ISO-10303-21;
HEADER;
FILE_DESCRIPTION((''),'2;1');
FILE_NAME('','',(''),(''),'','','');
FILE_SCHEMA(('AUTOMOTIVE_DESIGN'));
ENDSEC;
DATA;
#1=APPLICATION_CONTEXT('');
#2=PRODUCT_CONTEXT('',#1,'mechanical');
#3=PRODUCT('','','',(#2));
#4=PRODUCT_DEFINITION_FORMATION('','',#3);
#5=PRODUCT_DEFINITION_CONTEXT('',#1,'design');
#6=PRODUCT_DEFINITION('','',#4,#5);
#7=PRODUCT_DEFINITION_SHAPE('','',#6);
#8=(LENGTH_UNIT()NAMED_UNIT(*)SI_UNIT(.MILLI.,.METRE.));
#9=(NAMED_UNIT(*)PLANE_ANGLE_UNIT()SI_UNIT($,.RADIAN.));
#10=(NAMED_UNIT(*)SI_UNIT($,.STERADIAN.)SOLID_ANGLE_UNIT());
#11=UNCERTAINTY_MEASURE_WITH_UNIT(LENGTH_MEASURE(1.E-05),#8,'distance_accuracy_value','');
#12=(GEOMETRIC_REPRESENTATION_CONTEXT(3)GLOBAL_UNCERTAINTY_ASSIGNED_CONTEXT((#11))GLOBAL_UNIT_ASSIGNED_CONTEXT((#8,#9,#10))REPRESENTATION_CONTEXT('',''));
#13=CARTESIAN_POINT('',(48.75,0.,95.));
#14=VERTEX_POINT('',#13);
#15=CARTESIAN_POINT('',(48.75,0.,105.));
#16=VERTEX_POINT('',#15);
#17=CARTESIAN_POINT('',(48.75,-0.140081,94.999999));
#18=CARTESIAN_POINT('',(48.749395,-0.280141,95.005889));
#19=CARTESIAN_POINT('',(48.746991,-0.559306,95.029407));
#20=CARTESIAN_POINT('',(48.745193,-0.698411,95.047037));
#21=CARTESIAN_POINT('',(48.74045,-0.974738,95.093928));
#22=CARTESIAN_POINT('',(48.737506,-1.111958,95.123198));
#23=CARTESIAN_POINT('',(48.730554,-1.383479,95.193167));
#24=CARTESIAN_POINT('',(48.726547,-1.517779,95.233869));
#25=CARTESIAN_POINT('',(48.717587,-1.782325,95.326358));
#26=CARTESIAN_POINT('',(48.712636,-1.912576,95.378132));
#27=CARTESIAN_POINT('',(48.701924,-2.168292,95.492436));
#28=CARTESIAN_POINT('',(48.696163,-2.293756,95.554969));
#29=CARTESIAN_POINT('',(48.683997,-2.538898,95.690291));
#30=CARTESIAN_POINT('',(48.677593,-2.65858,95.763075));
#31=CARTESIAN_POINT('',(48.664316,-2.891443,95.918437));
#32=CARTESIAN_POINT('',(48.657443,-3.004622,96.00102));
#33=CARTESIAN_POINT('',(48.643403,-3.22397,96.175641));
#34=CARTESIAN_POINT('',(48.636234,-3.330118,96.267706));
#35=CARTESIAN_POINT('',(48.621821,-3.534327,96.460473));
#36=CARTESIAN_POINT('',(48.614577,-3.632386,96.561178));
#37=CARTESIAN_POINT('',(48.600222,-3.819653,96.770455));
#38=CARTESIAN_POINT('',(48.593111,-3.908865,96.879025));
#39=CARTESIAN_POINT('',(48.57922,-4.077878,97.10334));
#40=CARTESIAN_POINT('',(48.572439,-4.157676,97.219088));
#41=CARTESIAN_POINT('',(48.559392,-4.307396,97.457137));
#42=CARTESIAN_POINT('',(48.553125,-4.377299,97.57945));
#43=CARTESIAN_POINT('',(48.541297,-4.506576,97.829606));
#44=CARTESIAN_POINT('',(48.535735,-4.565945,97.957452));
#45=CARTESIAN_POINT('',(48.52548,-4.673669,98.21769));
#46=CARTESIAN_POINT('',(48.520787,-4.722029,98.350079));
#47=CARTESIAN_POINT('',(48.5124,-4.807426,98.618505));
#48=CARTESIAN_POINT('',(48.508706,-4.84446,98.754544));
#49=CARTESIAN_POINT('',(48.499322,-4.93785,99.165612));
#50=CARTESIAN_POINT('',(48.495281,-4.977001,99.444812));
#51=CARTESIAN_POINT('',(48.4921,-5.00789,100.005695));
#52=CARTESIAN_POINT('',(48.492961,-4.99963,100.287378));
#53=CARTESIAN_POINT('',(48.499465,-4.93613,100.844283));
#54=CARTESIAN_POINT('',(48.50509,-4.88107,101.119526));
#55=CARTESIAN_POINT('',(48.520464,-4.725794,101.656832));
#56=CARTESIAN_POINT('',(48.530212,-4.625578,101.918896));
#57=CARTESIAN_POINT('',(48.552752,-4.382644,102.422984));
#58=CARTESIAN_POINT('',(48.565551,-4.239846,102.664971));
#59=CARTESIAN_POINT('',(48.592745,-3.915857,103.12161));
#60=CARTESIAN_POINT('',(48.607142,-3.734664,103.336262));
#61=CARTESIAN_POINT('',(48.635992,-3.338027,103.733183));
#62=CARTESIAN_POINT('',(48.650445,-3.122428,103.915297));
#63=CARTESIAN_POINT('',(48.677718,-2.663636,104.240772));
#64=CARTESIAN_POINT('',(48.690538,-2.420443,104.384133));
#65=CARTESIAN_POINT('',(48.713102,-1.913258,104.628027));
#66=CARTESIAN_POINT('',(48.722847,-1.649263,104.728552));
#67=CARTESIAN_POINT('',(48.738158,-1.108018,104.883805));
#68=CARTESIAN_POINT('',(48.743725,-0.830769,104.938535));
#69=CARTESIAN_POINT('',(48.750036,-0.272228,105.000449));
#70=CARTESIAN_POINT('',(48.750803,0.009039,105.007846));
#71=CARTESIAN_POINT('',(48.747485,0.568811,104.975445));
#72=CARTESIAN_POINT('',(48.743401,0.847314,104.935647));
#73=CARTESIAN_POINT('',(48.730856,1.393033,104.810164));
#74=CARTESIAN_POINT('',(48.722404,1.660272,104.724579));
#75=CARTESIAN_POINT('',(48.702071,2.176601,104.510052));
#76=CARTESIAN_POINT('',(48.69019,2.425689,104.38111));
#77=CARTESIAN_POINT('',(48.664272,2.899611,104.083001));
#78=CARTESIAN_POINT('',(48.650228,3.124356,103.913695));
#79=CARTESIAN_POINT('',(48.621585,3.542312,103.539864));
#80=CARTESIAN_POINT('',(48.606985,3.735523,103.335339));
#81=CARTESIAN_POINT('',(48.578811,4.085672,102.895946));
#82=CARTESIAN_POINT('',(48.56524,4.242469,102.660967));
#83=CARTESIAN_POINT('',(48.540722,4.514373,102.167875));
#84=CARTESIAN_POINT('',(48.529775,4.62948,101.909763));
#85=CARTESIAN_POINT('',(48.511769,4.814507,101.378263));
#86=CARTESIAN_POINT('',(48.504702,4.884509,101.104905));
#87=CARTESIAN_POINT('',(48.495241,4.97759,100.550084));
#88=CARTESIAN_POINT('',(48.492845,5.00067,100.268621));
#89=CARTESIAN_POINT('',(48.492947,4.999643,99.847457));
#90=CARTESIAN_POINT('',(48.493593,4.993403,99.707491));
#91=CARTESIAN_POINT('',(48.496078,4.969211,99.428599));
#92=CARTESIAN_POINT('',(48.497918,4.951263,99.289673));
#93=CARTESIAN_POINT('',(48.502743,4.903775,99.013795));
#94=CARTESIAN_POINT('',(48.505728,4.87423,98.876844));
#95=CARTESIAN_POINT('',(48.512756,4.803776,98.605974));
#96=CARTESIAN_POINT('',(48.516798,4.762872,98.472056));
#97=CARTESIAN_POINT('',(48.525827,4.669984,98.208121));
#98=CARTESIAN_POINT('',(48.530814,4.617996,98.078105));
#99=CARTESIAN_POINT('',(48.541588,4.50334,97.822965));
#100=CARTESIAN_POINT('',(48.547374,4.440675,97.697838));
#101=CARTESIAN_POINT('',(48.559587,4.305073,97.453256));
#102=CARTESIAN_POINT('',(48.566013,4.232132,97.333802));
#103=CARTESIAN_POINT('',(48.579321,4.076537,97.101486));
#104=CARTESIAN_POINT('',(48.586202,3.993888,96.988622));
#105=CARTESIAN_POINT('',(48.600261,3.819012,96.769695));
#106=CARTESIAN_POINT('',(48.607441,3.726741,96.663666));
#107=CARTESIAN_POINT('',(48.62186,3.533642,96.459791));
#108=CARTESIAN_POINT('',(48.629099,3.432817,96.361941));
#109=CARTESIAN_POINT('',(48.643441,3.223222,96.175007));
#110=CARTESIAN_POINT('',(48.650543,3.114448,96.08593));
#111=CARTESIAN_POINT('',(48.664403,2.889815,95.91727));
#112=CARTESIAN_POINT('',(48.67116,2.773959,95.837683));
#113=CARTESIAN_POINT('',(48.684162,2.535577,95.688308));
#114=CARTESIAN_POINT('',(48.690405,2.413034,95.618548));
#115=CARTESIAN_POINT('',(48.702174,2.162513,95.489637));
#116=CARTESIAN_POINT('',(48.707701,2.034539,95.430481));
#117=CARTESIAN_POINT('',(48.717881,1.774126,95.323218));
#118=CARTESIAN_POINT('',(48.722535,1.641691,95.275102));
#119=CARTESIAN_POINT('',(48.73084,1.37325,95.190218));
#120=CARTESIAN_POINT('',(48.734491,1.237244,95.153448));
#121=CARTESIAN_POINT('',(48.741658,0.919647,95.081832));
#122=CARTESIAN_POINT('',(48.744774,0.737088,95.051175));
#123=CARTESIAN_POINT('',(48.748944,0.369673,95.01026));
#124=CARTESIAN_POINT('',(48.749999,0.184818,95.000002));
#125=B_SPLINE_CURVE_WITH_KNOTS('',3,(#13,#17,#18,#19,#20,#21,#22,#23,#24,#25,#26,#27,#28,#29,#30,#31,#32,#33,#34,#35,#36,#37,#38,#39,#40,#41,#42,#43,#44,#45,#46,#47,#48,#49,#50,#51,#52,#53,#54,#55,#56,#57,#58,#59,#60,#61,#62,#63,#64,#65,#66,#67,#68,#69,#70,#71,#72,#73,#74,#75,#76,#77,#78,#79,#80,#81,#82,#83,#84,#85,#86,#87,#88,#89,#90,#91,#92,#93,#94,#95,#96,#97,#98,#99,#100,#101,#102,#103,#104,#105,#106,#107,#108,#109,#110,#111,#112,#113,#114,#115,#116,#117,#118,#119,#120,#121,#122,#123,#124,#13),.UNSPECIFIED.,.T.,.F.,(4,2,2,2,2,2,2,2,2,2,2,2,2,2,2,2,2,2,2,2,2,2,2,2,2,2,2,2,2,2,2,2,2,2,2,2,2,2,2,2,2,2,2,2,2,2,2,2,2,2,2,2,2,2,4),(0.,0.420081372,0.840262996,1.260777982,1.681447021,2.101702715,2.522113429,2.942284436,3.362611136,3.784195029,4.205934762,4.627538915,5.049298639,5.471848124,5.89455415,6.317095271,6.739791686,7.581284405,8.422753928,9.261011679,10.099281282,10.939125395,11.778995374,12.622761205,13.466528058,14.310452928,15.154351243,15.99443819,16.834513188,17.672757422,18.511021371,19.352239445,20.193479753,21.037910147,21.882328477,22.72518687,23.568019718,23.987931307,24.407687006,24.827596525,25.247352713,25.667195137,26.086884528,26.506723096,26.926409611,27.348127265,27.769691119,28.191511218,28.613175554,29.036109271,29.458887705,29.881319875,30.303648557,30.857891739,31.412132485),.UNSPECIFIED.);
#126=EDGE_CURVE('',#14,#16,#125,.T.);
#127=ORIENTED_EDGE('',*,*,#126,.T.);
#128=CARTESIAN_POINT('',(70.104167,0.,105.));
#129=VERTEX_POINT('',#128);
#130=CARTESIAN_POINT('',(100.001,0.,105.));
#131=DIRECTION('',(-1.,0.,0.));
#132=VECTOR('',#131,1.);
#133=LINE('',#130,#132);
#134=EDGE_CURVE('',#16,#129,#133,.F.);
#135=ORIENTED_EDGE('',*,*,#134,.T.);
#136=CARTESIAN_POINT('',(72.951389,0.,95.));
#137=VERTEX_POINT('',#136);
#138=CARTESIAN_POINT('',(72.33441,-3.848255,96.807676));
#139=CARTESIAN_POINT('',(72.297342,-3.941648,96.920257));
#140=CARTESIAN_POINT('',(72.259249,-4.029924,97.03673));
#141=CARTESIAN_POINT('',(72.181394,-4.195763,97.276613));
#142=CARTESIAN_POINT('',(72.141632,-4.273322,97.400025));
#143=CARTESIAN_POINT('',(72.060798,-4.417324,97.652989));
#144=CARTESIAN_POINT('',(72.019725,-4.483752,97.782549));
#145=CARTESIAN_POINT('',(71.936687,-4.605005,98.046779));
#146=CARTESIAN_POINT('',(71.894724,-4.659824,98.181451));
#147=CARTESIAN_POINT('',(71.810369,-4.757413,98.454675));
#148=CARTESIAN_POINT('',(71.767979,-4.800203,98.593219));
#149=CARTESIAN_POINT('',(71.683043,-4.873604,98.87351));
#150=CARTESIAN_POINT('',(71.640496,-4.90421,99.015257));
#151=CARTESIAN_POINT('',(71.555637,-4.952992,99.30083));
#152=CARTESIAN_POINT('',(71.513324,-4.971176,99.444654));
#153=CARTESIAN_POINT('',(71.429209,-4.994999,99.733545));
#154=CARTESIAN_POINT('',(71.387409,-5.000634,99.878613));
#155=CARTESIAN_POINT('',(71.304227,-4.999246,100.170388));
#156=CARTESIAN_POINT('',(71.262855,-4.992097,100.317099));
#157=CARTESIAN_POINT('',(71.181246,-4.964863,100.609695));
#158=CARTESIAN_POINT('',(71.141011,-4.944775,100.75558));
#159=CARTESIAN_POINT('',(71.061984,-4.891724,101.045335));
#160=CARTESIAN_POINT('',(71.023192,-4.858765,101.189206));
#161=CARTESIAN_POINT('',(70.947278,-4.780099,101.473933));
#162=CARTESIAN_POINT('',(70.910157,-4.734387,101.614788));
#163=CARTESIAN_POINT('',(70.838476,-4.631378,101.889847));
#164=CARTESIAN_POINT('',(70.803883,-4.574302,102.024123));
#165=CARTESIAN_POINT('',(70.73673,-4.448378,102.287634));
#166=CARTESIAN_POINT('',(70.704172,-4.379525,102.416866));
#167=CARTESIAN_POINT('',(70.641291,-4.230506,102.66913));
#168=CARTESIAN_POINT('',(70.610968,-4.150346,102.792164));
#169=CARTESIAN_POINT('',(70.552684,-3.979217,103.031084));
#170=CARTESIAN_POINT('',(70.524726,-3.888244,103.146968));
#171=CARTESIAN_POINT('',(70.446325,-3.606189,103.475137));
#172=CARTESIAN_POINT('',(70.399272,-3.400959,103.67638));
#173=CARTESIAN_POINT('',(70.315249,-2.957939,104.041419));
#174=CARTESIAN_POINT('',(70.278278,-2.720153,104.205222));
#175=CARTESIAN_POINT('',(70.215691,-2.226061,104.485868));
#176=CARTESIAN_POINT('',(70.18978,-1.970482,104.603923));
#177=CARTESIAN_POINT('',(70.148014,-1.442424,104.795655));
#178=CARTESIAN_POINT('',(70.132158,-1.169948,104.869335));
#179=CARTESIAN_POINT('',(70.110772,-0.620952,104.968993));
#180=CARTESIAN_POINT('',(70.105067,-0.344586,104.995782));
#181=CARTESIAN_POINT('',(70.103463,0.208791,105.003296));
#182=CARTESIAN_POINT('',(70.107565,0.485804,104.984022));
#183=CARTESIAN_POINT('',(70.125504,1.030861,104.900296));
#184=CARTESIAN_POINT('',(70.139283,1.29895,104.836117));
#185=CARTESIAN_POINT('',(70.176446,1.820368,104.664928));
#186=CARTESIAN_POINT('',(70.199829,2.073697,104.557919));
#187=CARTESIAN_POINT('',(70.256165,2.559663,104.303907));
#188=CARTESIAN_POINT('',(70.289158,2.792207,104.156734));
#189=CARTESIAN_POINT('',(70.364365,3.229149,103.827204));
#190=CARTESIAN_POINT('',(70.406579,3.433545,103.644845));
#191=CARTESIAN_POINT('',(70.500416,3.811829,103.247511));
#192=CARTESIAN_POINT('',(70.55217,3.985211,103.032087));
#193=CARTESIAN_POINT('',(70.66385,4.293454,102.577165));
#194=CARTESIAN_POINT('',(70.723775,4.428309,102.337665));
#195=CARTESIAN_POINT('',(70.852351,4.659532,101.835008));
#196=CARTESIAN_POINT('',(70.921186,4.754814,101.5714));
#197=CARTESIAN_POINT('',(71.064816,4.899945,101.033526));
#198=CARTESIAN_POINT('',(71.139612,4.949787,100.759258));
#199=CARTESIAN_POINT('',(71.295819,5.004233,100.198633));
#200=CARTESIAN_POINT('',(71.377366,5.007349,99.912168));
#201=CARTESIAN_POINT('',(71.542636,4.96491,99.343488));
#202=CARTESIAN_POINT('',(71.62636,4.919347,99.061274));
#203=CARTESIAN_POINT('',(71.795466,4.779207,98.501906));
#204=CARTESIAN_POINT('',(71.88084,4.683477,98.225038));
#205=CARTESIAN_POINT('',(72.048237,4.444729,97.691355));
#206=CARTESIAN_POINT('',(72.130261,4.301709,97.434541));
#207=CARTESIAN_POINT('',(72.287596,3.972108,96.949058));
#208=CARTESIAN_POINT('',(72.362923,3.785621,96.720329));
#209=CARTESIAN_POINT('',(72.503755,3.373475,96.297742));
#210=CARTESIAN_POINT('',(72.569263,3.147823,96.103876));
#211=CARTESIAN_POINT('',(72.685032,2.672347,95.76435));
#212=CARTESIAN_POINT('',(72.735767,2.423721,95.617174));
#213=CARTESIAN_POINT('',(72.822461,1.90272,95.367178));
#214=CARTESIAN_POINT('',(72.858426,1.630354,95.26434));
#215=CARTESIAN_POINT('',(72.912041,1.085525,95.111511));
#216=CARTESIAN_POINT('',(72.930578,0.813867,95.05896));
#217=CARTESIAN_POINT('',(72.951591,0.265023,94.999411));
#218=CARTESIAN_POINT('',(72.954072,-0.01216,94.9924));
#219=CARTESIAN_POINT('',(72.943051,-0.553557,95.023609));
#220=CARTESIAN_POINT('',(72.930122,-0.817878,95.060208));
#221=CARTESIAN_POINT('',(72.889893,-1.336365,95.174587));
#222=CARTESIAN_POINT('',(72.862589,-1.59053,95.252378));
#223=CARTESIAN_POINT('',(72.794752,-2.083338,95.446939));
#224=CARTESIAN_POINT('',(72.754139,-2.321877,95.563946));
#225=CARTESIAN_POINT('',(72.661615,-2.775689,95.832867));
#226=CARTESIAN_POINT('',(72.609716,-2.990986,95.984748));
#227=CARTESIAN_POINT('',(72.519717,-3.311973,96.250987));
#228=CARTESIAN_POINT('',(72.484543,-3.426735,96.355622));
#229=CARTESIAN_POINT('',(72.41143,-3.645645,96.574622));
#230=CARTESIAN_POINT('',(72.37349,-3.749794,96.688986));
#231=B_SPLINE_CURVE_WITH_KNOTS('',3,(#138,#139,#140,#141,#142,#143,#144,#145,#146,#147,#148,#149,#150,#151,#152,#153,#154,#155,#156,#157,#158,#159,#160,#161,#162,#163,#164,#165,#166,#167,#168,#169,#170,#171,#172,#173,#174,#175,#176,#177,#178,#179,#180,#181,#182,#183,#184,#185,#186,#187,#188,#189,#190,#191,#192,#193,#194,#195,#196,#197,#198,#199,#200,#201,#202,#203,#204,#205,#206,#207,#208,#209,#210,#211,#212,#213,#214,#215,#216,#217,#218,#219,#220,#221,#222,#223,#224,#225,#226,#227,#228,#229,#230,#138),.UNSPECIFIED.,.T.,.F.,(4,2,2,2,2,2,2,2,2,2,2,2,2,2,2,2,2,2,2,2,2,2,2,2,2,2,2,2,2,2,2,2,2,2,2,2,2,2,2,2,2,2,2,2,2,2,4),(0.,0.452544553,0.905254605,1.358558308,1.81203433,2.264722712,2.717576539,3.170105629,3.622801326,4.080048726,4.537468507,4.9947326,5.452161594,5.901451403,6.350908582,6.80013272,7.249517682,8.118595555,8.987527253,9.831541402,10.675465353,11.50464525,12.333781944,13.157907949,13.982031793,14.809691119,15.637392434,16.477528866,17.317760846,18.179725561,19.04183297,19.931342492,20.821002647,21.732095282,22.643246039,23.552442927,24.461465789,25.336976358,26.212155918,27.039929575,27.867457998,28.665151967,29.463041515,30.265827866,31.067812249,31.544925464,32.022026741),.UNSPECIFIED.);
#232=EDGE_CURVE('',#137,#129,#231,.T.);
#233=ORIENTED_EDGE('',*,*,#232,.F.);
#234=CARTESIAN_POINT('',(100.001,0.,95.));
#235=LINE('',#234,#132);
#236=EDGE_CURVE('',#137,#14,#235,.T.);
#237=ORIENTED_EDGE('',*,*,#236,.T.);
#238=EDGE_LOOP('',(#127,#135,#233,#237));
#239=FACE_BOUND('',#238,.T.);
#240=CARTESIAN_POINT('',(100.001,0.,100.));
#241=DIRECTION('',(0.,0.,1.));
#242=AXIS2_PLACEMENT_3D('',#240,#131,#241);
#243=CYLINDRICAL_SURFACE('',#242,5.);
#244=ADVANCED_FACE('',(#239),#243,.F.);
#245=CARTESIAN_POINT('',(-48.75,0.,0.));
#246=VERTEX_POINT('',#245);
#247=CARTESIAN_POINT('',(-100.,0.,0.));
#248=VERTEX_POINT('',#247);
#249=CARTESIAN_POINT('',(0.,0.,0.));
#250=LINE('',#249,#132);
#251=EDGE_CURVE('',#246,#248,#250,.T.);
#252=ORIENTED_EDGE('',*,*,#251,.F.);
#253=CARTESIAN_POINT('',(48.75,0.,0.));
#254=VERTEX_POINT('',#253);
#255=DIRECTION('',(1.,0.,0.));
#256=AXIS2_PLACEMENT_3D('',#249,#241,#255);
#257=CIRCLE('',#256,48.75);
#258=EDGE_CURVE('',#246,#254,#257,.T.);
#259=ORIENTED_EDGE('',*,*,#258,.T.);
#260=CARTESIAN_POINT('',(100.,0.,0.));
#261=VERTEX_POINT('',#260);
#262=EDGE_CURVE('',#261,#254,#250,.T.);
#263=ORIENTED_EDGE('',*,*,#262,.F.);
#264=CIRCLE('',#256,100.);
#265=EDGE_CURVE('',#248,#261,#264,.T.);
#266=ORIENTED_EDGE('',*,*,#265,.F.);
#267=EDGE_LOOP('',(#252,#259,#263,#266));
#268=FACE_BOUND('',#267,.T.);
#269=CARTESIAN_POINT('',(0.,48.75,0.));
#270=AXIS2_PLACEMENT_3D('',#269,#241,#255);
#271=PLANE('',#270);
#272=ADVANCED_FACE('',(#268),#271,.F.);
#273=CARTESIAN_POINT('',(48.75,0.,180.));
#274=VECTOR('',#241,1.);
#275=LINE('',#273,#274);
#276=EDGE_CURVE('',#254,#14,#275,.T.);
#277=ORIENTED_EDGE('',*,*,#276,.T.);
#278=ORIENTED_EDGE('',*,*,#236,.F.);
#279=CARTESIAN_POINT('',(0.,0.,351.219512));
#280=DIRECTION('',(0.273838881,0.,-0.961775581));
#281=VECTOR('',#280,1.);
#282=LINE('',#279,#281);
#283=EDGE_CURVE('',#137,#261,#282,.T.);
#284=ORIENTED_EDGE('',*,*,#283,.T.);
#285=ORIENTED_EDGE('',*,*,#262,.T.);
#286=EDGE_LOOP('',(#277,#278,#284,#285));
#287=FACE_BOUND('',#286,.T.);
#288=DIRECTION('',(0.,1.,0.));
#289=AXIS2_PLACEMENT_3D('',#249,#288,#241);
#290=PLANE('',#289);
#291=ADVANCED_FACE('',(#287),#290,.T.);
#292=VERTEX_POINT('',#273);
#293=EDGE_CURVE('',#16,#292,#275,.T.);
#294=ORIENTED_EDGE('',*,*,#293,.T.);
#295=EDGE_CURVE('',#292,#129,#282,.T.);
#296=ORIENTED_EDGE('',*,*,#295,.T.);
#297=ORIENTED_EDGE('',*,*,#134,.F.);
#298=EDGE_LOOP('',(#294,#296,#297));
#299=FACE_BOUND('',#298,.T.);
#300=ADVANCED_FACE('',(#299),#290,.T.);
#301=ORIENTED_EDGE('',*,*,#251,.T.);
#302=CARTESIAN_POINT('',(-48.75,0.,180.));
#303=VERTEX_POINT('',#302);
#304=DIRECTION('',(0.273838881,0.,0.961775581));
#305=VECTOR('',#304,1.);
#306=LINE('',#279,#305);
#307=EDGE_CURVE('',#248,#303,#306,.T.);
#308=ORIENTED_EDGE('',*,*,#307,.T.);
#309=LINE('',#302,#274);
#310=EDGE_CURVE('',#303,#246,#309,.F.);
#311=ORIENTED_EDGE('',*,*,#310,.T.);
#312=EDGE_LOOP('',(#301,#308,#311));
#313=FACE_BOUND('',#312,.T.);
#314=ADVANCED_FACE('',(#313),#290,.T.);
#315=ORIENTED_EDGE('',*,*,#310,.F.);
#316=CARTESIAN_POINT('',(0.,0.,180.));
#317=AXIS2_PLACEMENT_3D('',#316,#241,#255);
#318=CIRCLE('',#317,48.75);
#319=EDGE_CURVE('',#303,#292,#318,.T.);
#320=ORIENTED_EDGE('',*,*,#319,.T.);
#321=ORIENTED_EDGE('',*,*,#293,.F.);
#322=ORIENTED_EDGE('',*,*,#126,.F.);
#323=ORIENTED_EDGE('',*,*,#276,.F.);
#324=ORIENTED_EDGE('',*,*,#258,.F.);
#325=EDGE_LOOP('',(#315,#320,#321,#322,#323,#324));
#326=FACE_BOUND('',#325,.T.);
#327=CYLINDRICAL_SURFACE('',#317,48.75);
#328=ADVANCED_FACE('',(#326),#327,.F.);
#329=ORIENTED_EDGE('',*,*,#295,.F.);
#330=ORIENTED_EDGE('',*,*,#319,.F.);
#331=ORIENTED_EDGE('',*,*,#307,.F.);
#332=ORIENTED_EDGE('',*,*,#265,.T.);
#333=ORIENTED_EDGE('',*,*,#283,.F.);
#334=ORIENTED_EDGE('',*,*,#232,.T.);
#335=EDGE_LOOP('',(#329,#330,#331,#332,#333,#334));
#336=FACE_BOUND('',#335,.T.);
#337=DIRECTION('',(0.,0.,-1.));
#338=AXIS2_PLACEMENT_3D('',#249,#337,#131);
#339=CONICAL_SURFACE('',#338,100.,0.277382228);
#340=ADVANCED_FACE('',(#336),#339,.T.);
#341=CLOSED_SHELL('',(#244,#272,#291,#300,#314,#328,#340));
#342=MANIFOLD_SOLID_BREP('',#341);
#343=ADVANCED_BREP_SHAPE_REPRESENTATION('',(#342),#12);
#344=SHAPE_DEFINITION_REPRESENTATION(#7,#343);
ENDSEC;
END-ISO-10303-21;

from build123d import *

# Parameters (mm, degrees)
ENL_V_MAT_EXTRU_1_REACH = 230.91
ESQUISSE7_R             = 5


with BuildPart() as part:
    # Esquisse4 → Révolution1 (revolve)
    with BuildSketch(Plane(origin=(0, 0, 0), x_dir=(0, 0, -1), z_dir=(1, 0, 0)), mode=Mode.PRIVATE) as r_volution1_sk:
        Polygon((-180, 48.75), (0, 100), (0, 48.75), align=None)
    revolve(r_volution1_sk.sketch.rotate(Axis((0, 0, 180), (0, 0, -1)), 90), axis=Axis((0, 0, 180), (0, 0, -1)))

    # Enlèv. mat.-Extru.1: up to this cone (the profile starts inside it)
    enl_v_mat_extru_1_end = Plane(origin=(0, 0, 100), z_dir=(0, 0, -1)).offset(-251.219511195) * Cone(1e-06, 157.780895062, 554.157288973, align=(Align.CENTER, Align.CENTER, Align.MIN), mode=Mode.PRIVATE)
    # Esquisse7 → Enlèv. mat.-Extru.1 (cut, up to the surface)
    with BuildSketch(Plane(origin=(0, 0, 0), x_dir=(0, 0, -1), z_dir=(1, 0, 0)), mode=Mode.PRIVATE) as enl_v_mat_extru_1_sk1:
        with Locations(Location((-100, 0, 0), (0, 0, 180))):
            Circle(ESQUISSE7_R)
    enl_v_mat_extru_1_tool1 = extrude(enl_v_mat_extru_1_sk1.sketch, amount=ENL_V_MAT_EXTRU_1_REACH, mode=Mode.PRIVATE) & enl_v_mat_extru_1_end
    add(enl_v_mat_extru_1_tool1.solids().sort_by_distance((0, 0, 100))[0], mode=Mode.SUBTRACT)

    # Enlèv. mat.-Surface1
    split(bisect_by=Plane(origin=(0, 0, 0), x_dir=(1, 0, 0), z_dir=(0, 1, 0)), keep=Keep.BOTTOM)


solid = part.part
